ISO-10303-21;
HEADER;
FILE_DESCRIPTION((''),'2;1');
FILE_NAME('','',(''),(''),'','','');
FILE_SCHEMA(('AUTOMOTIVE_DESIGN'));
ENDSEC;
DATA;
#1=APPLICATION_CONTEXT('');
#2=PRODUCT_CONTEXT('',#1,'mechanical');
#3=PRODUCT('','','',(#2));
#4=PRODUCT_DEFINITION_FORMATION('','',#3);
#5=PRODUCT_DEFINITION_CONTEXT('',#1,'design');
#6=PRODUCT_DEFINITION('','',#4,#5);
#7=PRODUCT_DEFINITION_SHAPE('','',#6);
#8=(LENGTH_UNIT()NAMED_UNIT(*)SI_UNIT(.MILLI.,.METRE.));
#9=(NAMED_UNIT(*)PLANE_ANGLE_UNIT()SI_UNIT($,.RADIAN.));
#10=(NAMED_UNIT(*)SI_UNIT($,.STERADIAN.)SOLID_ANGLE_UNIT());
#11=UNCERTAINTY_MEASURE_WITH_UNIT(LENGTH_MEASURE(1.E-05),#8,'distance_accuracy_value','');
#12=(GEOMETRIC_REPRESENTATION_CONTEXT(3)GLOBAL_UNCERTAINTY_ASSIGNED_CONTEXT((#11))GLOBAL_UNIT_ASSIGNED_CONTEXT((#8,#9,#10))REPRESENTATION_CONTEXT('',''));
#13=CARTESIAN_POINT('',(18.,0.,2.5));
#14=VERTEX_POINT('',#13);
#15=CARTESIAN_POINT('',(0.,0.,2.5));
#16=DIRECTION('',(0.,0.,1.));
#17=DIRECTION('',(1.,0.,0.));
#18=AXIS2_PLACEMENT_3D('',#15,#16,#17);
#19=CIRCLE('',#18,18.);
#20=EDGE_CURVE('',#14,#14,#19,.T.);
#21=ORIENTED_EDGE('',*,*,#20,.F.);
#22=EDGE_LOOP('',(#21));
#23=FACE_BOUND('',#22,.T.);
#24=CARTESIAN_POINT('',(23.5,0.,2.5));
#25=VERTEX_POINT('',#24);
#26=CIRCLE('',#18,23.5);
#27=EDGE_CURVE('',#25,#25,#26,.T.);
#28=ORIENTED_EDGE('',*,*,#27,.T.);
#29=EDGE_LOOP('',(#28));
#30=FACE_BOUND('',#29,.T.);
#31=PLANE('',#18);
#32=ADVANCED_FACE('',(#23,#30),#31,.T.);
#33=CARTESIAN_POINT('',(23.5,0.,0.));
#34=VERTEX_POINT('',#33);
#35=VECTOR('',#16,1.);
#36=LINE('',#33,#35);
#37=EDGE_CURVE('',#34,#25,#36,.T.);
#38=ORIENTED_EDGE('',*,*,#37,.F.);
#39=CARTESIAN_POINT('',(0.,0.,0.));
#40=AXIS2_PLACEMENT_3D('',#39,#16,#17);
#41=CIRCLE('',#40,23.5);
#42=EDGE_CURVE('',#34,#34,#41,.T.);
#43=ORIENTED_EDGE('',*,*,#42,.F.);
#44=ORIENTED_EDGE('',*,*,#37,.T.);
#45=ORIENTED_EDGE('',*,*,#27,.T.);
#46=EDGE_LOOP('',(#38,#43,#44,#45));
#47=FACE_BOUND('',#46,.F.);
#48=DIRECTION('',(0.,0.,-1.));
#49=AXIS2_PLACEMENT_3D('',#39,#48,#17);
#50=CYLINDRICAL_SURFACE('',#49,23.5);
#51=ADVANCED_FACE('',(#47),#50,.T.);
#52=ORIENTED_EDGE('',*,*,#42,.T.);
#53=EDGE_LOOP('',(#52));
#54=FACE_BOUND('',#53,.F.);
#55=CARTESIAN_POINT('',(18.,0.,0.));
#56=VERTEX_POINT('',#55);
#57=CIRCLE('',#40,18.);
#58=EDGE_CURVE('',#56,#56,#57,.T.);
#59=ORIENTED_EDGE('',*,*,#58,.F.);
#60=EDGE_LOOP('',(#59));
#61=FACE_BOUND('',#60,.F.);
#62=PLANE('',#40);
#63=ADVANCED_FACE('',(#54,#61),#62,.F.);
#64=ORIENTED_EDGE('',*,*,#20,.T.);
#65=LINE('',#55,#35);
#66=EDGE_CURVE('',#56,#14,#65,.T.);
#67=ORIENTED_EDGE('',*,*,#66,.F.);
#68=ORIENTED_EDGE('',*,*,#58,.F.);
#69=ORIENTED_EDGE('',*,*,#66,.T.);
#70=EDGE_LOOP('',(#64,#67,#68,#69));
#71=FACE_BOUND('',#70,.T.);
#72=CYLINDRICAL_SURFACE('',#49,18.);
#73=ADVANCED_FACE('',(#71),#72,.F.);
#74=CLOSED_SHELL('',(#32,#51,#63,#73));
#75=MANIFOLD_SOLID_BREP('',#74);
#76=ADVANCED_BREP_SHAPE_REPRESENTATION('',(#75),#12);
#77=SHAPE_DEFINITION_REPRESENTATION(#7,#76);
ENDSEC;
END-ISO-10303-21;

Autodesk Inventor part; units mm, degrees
ref_plane "YZ Plane" through (0, 0, 0) normal (1, 0, 0) x (0, 1, 0)
ref_plane "XZ Plane" through (0, 0, 0) normal (0, 1, 0) x (-1, 0, 0)
ref_plane "XY Plane" through (0, 0, 0) normal (0, 0, 1) x (1, 0, 0)
sketch "Sketch1" plane through (0, 0, 0) normal (0, 0, 1) x (1, 0, 0)
  circle A0 centre (0, 0) radius 23.5
  circle A1 centre (0, 0) radius 18
  dimension "d0" = 47
  dimension "d1" = 36
extrude "Extrusion1" add sketch "Sketch1" along normal blind 2.5
properties part number "PWTR-0048" material "Brass, Soft Yellow"
